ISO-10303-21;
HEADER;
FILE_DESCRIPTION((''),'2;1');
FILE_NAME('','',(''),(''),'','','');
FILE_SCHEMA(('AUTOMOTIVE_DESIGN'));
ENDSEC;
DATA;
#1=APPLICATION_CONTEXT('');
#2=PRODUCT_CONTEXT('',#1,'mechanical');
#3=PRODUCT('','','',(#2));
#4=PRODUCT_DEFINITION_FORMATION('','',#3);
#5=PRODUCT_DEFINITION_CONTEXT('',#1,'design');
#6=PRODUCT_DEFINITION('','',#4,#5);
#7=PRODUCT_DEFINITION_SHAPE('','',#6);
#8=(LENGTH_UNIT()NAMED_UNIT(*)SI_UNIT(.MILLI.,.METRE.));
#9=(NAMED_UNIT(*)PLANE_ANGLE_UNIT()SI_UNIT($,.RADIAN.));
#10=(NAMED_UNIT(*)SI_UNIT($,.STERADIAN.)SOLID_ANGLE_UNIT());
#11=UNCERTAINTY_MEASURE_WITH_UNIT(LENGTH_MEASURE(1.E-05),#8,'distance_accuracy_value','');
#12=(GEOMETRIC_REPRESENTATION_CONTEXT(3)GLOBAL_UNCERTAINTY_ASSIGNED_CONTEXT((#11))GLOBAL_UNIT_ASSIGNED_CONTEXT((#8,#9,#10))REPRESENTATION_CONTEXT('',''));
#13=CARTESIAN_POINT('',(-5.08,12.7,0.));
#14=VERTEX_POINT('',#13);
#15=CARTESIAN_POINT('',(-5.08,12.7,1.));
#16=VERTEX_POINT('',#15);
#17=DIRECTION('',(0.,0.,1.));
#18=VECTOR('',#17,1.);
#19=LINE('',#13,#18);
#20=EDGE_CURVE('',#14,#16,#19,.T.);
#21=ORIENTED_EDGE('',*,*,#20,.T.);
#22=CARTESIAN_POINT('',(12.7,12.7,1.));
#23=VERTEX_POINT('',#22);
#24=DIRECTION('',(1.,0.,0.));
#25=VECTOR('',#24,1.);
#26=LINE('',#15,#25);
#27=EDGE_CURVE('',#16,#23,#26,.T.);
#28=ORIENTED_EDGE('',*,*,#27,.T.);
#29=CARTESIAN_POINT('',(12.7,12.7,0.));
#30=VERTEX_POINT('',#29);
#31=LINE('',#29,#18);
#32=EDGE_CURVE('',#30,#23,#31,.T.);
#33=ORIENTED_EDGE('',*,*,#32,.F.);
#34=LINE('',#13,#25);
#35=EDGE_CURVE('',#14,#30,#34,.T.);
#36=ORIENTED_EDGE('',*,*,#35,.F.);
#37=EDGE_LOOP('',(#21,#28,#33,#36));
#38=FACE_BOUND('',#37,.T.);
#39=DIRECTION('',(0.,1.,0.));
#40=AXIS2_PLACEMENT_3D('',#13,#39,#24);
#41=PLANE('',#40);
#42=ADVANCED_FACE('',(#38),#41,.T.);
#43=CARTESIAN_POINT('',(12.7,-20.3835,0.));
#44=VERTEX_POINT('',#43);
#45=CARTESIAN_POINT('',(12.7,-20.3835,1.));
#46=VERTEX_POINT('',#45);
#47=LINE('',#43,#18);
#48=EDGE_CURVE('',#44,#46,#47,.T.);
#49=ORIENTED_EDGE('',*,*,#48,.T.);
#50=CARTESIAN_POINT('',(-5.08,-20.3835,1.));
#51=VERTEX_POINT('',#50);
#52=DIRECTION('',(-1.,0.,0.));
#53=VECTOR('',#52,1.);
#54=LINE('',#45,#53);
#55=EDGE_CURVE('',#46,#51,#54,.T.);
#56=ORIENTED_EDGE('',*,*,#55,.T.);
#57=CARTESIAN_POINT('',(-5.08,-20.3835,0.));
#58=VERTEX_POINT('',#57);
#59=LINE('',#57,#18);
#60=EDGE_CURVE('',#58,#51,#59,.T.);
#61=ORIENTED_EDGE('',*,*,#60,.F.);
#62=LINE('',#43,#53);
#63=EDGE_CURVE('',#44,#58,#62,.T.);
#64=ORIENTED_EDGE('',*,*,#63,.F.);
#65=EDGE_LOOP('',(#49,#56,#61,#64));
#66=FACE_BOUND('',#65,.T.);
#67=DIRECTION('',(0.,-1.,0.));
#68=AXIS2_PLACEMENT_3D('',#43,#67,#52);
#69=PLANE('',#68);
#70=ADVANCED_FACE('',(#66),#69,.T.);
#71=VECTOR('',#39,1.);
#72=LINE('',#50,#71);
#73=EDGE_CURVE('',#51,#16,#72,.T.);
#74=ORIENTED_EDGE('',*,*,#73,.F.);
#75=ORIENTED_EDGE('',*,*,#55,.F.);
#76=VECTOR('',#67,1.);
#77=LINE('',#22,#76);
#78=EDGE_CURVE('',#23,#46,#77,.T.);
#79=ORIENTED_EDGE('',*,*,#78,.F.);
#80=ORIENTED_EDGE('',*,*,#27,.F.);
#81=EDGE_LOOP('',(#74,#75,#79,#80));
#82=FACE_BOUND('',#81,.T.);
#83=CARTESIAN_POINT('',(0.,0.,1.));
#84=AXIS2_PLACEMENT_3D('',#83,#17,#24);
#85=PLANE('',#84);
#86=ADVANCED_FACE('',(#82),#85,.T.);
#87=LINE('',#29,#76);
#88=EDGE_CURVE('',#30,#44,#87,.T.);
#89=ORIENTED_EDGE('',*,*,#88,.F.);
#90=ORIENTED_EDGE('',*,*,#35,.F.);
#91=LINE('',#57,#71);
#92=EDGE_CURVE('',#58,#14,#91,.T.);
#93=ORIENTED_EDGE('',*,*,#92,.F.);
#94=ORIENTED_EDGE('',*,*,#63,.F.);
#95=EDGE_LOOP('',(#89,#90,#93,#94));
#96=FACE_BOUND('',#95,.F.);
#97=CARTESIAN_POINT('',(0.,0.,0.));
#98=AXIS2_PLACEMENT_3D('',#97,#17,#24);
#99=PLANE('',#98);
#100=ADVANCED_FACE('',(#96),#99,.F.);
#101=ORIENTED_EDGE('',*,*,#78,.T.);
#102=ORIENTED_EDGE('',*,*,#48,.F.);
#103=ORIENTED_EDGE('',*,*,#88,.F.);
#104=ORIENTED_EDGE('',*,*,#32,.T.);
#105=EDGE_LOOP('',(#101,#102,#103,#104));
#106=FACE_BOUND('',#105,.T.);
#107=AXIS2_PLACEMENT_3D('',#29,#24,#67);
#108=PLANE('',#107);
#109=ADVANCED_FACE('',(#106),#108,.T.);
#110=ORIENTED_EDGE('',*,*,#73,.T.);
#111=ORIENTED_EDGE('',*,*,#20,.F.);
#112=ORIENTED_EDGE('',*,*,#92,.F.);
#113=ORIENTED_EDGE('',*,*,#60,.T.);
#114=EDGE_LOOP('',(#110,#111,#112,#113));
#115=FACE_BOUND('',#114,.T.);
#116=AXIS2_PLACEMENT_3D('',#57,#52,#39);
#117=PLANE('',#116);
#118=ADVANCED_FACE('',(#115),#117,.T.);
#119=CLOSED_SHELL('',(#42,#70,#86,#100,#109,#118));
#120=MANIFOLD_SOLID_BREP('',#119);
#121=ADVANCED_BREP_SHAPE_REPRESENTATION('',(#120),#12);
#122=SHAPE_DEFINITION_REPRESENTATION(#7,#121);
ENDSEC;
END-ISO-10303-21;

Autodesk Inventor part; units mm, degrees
ref_plane "YZ Plane" through (0, 0, 0) normal (1, 0, 0) x (0, 1, 0)
ref_plane "XZ Plane" through (0, 0, 0) normal (0, 1, 0) x (-1, 0, 0)
ref_plane "XY Plane" through (0, 0, 0) normal (0, 0, 1) x (1, 0, 0)
sketch "ARDUINO_PRO_MINI, ARDUINO1_ARDUINO_PRO_MINI_1" plane through (0, 0, 0) normal (0, 0, 1) x (1, 0, 0)
  line L0 (-5.08, 12.7) -> (12.7, 12.7)
  line L1 (12.7, 12.7) -> (12.7, -20.3835)
  line L2 (12.7, -20.3835) -> (-5.08, -20.3835)
  line L3 (-5.08, -20.3835) -> (-5.08, 12.7)
extrude "Extrusion1" add sketch "ARDUINO_PRO_MINI, ARDUINO1_ARDUINO_PRO_MINI_1" along normal blind 1
properties part number "ARDUINO1_ARDUINO_PRO_MINI"
